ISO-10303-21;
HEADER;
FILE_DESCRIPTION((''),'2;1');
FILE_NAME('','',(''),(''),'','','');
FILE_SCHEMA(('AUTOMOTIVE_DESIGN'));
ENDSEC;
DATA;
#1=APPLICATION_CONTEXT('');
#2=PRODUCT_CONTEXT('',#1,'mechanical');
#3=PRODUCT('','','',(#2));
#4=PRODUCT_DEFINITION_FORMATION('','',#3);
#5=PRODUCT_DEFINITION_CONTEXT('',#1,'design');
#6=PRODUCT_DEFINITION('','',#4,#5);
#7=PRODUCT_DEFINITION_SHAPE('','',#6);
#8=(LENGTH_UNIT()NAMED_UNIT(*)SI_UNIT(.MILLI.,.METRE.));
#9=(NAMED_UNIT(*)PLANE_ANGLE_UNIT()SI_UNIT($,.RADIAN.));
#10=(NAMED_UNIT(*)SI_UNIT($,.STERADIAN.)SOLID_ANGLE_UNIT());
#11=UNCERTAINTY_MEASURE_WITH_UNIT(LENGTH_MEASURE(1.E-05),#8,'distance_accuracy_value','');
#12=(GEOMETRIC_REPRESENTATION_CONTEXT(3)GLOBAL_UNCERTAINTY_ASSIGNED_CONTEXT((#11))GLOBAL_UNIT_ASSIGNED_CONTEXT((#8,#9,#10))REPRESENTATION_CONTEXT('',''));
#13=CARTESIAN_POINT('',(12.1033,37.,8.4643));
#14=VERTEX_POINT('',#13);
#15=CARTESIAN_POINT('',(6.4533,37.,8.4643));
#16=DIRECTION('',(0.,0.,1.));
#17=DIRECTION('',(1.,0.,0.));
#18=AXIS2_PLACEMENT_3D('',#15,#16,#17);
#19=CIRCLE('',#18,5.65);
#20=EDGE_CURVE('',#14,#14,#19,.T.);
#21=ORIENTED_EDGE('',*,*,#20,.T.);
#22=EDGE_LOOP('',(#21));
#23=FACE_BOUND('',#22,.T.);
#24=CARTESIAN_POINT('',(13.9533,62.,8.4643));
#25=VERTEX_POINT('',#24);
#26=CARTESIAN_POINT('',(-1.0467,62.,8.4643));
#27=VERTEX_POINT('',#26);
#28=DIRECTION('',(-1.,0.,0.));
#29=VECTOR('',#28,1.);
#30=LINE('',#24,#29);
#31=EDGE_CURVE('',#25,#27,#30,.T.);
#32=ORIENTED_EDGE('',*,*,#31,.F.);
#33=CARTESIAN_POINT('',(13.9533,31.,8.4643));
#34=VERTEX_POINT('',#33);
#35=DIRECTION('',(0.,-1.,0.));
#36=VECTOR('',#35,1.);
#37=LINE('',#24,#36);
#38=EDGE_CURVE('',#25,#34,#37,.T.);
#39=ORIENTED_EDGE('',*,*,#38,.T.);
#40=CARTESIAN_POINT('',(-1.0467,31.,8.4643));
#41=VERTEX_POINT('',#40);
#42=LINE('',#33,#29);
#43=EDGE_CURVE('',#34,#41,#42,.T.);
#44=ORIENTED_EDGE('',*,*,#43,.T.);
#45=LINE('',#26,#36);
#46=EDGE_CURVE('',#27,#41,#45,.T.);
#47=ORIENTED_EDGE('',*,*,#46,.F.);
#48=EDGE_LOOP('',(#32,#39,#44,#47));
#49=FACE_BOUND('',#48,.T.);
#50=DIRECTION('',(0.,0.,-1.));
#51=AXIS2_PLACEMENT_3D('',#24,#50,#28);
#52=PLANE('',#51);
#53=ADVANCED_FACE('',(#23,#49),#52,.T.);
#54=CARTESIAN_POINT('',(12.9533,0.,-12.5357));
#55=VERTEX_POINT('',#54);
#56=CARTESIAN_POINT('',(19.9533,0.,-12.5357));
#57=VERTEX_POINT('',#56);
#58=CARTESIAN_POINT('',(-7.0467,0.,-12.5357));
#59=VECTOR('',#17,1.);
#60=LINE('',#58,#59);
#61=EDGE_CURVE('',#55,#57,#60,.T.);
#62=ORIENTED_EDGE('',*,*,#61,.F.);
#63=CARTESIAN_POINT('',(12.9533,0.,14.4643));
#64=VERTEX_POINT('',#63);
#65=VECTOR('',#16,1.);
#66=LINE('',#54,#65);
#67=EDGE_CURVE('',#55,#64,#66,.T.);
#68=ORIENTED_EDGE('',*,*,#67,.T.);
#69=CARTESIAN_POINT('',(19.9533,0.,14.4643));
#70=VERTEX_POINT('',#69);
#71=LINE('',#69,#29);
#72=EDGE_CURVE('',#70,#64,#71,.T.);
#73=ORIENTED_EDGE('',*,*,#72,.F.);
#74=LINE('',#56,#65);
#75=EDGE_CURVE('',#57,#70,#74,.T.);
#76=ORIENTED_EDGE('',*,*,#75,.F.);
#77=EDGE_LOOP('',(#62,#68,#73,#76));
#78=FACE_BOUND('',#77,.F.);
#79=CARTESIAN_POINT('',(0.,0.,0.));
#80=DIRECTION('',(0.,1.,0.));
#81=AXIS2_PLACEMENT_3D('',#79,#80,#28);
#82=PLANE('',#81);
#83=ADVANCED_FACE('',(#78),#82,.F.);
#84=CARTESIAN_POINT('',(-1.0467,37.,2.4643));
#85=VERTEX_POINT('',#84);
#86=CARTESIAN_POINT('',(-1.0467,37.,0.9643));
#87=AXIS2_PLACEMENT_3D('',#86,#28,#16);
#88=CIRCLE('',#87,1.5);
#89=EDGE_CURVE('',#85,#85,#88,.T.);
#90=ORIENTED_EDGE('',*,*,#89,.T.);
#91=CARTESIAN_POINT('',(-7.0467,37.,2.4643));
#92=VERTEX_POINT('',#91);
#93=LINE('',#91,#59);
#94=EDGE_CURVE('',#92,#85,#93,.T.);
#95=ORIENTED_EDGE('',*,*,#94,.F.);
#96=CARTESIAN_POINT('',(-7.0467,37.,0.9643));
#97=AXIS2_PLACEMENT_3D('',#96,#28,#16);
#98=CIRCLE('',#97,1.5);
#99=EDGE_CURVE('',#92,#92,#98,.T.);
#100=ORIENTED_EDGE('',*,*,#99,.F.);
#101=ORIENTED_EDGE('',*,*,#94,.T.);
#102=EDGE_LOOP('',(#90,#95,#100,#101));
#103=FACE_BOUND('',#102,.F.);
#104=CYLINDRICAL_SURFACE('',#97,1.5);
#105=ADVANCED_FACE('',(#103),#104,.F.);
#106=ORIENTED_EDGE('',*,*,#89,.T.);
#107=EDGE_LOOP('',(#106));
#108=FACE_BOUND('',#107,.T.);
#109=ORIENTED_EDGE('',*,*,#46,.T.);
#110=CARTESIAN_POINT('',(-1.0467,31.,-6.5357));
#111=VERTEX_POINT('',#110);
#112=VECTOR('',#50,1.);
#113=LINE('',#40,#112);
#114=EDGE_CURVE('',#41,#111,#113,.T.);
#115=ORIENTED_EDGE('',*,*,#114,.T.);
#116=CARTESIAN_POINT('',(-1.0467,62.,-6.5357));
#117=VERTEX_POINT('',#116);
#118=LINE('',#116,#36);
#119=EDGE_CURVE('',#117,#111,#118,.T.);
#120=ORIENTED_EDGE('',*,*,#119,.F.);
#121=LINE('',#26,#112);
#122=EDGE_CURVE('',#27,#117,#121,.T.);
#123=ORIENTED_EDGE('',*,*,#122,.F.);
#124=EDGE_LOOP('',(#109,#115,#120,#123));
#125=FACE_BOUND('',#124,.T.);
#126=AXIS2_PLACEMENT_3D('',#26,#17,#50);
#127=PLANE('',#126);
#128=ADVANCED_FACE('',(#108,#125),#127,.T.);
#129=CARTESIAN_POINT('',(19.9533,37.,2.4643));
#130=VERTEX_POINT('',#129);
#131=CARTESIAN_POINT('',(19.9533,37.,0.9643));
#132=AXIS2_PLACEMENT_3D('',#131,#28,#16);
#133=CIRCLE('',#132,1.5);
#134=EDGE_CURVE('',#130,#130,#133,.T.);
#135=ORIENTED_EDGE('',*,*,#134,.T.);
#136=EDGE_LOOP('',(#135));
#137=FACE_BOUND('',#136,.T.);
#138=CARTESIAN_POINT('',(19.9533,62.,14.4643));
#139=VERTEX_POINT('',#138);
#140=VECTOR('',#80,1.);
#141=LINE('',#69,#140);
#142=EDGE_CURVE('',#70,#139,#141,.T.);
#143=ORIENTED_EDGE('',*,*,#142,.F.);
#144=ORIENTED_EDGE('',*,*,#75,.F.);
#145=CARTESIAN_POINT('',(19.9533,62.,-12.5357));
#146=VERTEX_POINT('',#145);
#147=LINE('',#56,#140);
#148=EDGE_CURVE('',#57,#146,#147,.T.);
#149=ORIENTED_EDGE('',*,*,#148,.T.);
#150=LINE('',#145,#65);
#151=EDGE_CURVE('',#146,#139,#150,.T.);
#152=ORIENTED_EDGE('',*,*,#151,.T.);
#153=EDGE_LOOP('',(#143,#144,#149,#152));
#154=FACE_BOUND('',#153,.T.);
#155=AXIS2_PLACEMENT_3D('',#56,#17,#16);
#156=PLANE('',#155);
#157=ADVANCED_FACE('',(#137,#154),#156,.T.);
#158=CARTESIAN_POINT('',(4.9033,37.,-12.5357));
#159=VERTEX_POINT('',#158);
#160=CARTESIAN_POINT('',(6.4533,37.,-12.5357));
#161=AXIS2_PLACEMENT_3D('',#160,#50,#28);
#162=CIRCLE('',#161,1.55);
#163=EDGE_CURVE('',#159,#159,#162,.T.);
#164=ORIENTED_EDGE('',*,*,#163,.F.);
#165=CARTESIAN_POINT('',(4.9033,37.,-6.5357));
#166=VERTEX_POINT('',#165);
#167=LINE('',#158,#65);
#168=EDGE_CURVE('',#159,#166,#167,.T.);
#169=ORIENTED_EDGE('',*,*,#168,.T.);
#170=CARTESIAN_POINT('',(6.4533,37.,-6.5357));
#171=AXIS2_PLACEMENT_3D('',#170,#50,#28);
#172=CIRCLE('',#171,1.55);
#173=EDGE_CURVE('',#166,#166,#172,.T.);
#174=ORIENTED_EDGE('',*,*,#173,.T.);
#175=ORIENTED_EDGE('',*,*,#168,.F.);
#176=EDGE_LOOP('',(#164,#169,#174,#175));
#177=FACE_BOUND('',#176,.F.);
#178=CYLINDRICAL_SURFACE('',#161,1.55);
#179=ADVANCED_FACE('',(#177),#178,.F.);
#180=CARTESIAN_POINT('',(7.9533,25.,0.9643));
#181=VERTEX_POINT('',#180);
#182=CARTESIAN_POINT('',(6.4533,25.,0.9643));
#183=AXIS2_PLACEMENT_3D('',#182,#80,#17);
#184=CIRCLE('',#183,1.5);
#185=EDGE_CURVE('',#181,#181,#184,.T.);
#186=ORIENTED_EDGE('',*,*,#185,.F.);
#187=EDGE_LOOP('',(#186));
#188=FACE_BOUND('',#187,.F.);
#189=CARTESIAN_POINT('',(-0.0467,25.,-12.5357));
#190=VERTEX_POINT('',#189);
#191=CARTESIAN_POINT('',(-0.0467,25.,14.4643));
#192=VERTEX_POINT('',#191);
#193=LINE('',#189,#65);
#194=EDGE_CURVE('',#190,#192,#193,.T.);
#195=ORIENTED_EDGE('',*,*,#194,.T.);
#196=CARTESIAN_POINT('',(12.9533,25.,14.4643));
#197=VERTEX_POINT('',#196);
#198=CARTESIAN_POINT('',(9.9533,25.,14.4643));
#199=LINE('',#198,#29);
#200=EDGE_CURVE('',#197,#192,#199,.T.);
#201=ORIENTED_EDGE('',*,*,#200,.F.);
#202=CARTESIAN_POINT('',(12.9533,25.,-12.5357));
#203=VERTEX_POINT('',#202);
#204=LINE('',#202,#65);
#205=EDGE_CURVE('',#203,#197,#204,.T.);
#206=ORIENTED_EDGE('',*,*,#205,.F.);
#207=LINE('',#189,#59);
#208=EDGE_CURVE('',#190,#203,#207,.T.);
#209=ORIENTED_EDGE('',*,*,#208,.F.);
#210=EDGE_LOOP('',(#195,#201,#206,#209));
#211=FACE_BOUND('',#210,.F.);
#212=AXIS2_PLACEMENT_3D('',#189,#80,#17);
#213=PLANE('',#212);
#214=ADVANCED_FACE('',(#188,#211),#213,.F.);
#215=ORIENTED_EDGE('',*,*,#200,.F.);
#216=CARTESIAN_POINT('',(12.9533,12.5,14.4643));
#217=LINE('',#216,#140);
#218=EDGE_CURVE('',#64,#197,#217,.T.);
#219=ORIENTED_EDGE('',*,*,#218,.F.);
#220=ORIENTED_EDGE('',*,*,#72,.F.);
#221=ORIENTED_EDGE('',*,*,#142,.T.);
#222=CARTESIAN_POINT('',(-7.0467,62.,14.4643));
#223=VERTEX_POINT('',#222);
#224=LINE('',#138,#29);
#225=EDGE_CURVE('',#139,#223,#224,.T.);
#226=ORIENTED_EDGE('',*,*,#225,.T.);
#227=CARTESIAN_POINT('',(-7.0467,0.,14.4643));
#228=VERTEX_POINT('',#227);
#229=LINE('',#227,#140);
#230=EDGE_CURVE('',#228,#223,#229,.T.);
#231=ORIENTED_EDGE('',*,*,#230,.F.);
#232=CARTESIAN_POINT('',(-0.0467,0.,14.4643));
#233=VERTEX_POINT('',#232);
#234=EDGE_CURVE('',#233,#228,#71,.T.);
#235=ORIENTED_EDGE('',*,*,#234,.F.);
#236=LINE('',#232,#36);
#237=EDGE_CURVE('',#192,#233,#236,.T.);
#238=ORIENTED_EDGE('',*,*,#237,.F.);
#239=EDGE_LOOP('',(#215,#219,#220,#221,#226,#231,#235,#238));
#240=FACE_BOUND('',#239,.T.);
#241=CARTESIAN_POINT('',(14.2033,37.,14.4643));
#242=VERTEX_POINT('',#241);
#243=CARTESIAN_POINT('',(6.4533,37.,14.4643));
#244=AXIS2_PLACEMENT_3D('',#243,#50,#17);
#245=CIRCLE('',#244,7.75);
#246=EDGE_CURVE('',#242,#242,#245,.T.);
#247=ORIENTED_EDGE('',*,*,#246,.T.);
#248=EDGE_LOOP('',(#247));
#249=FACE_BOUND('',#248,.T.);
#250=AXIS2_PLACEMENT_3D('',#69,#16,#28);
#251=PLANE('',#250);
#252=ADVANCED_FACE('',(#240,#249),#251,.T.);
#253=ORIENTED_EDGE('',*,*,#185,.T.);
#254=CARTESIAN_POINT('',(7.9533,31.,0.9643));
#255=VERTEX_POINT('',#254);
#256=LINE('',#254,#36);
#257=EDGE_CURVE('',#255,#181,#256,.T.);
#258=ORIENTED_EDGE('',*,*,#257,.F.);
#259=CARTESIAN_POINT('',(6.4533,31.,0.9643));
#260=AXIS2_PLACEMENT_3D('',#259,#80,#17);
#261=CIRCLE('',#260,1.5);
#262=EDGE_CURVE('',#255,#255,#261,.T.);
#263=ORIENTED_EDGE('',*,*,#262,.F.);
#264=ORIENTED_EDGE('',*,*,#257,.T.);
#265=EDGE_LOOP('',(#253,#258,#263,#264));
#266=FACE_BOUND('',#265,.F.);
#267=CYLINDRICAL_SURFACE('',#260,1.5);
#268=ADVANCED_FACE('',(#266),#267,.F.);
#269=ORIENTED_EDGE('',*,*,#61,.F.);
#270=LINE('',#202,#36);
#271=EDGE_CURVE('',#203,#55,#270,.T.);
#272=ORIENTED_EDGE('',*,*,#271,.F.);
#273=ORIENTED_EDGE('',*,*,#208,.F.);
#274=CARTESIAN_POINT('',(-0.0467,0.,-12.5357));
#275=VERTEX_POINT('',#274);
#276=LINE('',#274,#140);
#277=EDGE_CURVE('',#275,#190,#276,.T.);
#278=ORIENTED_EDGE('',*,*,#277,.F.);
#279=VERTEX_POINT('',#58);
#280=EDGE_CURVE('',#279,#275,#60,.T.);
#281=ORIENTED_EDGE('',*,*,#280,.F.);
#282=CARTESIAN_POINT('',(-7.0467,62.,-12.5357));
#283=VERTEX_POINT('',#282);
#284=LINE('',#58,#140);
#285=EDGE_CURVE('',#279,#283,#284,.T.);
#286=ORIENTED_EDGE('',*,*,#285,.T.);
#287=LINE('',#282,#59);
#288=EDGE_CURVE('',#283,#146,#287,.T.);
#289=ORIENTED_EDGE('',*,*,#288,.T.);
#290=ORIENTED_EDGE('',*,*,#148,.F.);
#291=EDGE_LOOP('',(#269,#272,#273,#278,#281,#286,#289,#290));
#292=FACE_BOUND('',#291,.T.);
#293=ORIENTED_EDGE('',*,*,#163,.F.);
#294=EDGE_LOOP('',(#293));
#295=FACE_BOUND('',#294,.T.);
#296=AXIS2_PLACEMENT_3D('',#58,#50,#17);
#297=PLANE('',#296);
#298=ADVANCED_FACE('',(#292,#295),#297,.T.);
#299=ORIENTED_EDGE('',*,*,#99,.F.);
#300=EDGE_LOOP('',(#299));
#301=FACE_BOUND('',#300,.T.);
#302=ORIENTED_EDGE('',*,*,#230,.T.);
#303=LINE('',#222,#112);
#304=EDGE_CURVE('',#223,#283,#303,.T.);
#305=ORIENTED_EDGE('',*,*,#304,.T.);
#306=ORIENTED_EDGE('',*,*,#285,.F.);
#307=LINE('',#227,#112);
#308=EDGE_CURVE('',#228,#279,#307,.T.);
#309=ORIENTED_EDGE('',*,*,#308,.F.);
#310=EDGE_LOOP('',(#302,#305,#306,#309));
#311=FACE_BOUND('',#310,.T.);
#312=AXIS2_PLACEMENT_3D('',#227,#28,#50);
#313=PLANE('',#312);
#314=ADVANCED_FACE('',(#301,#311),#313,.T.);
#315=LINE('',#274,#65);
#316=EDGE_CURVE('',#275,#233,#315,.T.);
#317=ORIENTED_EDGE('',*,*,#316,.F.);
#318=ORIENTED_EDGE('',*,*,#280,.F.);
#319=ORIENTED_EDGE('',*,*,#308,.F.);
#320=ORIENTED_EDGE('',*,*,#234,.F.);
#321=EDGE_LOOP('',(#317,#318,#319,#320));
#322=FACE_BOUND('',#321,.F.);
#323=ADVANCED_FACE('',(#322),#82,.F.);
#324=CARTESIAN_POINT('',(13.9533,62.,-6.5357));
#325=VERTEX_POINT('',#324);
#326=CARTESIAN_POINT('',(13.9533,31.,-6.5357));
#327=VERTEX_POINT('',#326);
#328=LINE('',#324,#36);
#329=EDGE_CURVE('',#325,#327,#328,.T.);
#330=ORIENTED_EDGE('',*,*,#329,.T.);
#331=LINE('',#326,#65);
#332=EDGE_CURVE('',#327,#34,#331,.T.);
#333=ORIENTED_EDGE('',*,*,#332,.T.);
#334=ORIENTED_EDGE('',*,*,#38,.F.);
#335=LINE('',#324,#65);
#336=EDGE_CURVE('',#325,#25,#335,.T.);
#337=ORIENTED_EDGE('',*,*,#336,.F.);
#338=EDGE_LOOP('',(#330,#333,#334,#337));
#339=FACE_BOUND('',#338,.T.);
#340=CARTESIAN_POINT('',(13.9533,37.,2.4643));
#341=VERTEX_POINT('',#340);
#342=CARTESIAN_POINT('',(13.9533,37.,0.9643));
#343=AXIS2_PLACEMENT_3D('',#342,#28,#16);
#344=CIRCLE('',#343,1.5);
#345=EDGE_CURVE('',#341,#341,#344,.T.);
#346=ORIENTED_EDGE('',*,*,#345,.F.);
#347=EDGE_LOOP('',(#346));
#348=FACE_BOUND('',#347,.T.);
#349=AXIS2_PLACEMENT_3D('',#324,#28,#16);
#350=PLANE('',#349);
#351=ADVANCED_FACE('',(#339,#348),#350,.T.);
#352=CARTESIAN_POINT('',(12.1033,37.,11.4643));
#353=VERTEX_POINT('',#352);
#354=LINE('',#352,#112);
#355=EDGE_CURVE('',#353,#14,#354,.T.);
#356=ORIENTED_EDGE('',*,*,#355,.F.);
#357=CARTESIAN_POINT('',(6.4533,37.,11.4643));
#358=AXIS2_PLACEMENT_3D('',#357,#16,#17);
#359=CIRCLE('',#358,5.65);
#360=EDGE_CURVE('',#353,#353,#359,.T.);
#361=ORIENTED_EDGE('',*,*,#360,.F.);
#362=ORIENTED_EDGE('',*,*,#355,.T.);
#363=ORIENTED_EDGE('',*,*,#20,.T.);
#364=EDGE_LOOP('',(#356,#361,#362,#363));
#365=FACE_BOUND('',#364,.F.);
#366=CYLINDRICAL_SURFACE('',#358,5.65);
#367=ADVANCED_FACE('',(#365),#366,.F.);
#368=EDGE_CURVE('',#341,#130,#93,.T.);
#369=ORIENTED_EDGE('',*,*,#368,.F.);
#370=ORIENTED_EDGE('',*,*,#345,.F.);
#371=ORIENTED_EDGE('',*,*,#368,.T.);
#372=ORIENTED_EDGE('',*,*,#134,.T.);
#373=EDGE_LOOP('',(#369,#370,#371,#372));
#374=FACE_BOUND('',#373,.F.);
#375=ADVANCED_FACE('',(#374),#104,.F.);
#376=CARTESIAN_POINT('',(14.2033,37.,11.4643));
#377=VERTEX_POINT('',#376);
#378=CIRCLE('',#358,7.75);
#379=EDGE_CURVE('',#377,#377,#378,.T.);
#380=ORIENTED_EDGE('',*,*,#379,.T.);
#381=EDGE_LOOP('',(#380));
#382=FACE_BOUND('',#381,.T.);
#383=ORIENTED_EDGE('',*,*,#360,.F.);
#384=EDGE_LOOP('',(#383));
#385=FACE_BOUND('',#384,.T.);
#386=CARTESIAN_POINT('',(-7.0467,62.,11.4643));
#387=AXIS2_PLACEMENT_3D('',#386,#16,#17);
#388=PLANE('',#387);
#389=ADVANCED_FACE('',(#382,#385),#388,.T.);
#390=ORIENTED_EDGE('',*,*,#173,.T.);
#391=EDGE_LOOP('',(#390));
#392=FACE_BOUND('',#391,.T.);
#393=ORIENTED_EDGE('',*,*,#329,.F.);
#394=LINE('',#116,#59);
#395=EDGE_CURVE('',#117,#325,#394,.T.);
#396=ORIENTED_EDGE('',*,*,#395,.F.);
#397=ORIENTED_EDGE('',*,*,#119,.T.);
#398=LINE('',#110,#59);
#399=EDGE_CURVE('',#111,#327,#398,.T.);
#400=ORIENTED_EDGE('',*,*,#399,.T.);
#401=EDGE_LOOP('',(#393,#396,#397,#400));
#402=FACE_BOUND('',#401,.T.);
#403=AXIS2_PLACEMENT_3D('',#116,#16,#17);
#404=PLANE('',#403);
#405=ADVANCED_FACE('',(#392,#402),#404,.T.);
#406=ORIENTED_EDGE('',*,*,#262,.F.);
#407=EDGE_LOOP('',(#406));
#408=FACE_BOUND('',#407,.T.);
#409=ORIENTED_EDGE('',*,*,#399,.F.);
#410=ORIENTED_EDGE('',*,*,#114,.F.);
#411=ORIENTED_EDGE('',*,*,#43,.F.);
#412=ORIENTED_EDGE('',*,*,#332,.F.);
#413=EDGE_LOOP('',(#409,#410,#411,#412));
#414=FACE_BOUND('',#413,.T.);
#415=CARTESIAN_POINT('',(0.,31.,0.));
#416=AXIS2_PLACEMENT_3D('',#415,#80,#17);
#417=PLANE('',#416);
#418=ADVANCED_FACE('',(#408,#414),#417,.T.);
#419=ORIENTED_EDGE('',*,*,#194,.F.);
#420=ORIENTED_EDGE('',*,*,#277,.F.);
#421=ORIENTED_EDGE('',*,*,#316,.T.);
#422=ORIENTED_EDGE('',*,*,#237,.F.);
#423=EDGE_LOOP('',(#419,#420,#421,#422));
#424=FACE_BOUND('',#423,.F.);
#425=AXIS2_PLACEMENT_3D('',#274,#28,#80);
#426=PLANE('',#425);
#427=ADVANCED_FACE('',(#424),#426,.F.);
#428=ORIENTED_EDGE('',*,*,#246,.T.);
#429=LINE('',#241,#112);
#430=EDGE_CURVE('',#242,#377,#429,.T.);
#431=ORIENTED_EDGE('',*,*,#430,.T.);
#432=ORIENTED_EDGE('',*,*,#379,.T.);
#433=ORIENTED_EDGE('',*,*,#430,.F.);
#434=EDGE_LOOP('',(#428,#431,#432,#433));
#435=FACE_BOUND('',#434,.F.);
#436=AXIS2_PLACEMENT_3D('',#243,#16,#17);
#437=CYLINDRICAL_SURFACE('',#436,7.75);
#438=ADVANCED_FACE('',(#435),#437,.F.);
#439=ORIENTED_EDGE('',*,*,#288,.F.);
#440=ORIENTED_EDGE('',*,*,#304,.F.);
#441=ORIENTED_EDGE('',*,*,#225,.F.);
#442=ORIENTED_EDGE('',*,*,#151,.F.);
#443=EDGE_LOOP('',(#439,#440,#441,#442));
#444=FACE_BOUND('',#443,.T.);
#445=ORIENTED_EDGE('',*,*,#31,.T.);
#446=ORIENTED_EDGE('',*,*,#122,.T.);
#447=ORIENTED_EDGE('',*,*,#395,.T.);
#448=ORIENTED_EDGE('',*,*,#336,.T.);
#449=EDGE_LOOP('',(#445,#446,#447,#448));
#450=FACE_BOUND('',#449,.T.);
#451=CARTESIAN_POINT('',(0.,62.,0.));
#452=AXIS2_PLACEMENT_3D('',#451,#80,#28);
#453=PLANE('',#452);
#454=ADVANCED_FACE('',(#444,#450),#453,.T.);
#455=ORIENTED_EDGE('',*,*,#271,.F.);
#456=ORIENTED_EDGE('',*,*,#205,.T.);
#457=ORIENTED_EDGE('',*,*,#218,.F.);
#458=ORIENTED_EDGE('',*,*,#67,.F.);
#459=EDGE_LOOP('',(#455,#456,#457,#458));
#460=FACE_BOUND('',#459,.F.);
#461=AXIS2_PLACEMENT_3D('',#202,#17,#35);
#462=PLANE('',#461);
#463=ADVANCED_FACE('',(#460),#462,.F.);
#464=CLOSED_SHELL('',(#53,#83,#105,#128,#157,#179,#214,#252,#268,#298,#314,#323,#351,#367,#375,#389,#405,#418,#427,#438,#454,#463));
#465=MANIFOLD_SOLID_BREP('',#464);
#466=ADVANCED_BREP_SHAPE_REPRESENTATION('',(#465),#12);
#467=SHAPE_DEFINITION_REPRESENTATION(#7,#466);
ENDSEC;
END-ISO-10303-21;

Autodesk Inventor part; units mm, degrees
ref_plane "YZ Plane" through (0, 0, 0) normal (1, 0, 0) x (0, 1, 0)
ref_plane "XZ Plane" through (0, 0, 0) normal (0, 1, 0) x (-1, 0, 0)
ref_plane "XY Plane" through (0, 0, 0) normal (0, 0, 1) x (1, 0, 0)
sketch "Boceto1" plane through (0, 0, 0) normal (0, 1, 0) x (-1, 0, 0)
  line L0 (-19.9533, 14.4643) -> (7.0467, 14.4643)
  line L1 (7.0467, 14.4643) -> (7.0467, -12.5357)
  line L2 (7.0467, -12.5357) -> (-19.9533, -12.5357)
  line L3 (-19.9533, -12.5357) -> (-19.9533, 14.4643)
  point P0 (0, 0)
  dimension "d0" = 27
  dimension "d1" = 27
extrude "Extrusión1" add sketch "Boceto1" along normal blind 62
sketch "Boceto2" plane through (0, 62, 0) normal (0, 1, 0) x (1, 0, 0)
  line L0 (-7.0467, -14.4643) -> (19.9533, -14.4643) projected
  line L1 (19.9533, -14.4643) -> (19.9533, 12.5357) projected
  line L2 (19.9533, 12.5357) -> (-7.0467, 12.5357) projected
  line L3 (-7.0467, 12.5357) -> (-7.0467, -14.4643) projected
  line L4 (-1.0467, 6.5357) -> (13.9533, 6.5357)
  line L5 (13.9533, 6.5357) -> (13.9533, -8.4643)
  line L6 (13.9533, -8.4643) -> (-1.0467, -8.4643)
  line L7 (-1.0467, -8.4643) -> (-1.0467, 6.5357)
  point P0 (0, 0)
  dimension "d4" = 6
  dimension "d5" = 6
  dimension "d6" = 6
  dimension "d7" = 6
extrude "Extrusión2" cut sketch "Boceto2" against normal blind 31 contours L4 L5 L6 L7
sketch "Boceto3" plane through (19.9533, 0, -12.5357) normal (0, 0, -1) x (-1, 0, 0)
  line L0 (27, 0) -> (0, 0) projected
  line L1 (27, 0) -> (27, 62) projected
  line L2 (0, 0) -> (0, 62) projected
  line L3 (20, 25) -> (7, 25)
  line L4 (7, 25) -> (7, 0)
  line L5 (7, 0) -> (20, 0)
  line L6 (20, 0) -> (20, 25)
  line L7 (0, 62) -> (27, 62) projected
  circle A0 centre (13.5, 39) radius 2.55
  point P0 (19.9533, 0)
  dimension "d10" = 7
  dimension "d11" = 7
  dimension "d12" = 25
  dimension "d16" = 5.1
  dimension "d17" = 13.5
  dimension "d18" = 23
extrude "Extrusión3" cut sketch "Boceto3" against normal blind 30 contours L0 L4 L3 L6
sketch "Boceto4" plane through (19.9533, 62, -12.5357) normal (0, 0, -1) x (-1, 0, 0)
  line L0 (0, -62) -> (0, 0) projected
  circle A0 centre (13.5, -25) radius 1.55
  line L1 (21, -31) -> (6, -31) projected
  point P0 (19.9533, -62)
  dimension "d19" = 3.1
  dimension "d20" = 13.5
  dimension "d34" = 6
extrude "Extrusión4" cut sketch "Boceto4" against normal blind 7
sketch "Boceto5" plane through (-7.0467, 62, 14.4643) normal (0, 0, 1) x (1, 0, 0)
  line L0 (27, -62) -> (27, 0) projected
  circle A0 centre (13.5, -25) radius 7.75
  line L1 (21, -31) -> (6, -31) projected
  point P0 (7.0467, -62)
  dimension "d24" = 15.5
  dimension "d25" = 13.5
  dimension "d33" = 6
extrude "Extrusión5" cut sketch "Boceto5" against normal blind 3
sketch "Boceto6" plane through (6.4533, 37, 11.4643) normal (0, 0, 1) x (1, 0, 0)
  circle A0 centre (0, 0) radius 7.75 projected
  circle A1 centre (0, 0) radius 5.65
  point P0 (-6.4533, -37)
  dimension "d29" = 11.3
extrude "Extrusión6" cut sketch "Boceto6" against normal blind 3 contours A1
sketch "Boceto8" plane through (-7.0467, 0, -12.5357) normal (-1, 0, 0) x (0, 0, 1)
  line L0 (27, 0) -> (27, 62) projected
  circle A0 centre (13.5, 37) radius 1.5
  line L1 (0, 25) -> (27, 25) projected
  line L2 (0, 25) -> (27, 25) projected
  point P0 (12.5357, 0)
  dimension "d42" = 13.5
  dimension "d43" = 3
  dimension "d47" = 12
extrude "Extrusión8" cut sketch "Boceto8" against normal through all
sketch "Boceto10" plane through (0, 31, 0) normal (0, 1, 0) x (1, 0, 0)
  line L0 (-1.0467, 6.5357) -> (13.9533, 6.5357) projected
  line L1 (13.9533, 6.5357) -> (13.9533, -8.4643) projected
  circle A0 centre (6.4533, -0.9643) radius 1.5
  point P0 (0, 0)
  dimension "d62" = 3
  dimension "d63" = 7.5
  dimension "d64" = 7.5
extrude "Extrusión10" cut sketch "Boceto10" against normal through all
properties part number "Cubeta Final sin huecos"
